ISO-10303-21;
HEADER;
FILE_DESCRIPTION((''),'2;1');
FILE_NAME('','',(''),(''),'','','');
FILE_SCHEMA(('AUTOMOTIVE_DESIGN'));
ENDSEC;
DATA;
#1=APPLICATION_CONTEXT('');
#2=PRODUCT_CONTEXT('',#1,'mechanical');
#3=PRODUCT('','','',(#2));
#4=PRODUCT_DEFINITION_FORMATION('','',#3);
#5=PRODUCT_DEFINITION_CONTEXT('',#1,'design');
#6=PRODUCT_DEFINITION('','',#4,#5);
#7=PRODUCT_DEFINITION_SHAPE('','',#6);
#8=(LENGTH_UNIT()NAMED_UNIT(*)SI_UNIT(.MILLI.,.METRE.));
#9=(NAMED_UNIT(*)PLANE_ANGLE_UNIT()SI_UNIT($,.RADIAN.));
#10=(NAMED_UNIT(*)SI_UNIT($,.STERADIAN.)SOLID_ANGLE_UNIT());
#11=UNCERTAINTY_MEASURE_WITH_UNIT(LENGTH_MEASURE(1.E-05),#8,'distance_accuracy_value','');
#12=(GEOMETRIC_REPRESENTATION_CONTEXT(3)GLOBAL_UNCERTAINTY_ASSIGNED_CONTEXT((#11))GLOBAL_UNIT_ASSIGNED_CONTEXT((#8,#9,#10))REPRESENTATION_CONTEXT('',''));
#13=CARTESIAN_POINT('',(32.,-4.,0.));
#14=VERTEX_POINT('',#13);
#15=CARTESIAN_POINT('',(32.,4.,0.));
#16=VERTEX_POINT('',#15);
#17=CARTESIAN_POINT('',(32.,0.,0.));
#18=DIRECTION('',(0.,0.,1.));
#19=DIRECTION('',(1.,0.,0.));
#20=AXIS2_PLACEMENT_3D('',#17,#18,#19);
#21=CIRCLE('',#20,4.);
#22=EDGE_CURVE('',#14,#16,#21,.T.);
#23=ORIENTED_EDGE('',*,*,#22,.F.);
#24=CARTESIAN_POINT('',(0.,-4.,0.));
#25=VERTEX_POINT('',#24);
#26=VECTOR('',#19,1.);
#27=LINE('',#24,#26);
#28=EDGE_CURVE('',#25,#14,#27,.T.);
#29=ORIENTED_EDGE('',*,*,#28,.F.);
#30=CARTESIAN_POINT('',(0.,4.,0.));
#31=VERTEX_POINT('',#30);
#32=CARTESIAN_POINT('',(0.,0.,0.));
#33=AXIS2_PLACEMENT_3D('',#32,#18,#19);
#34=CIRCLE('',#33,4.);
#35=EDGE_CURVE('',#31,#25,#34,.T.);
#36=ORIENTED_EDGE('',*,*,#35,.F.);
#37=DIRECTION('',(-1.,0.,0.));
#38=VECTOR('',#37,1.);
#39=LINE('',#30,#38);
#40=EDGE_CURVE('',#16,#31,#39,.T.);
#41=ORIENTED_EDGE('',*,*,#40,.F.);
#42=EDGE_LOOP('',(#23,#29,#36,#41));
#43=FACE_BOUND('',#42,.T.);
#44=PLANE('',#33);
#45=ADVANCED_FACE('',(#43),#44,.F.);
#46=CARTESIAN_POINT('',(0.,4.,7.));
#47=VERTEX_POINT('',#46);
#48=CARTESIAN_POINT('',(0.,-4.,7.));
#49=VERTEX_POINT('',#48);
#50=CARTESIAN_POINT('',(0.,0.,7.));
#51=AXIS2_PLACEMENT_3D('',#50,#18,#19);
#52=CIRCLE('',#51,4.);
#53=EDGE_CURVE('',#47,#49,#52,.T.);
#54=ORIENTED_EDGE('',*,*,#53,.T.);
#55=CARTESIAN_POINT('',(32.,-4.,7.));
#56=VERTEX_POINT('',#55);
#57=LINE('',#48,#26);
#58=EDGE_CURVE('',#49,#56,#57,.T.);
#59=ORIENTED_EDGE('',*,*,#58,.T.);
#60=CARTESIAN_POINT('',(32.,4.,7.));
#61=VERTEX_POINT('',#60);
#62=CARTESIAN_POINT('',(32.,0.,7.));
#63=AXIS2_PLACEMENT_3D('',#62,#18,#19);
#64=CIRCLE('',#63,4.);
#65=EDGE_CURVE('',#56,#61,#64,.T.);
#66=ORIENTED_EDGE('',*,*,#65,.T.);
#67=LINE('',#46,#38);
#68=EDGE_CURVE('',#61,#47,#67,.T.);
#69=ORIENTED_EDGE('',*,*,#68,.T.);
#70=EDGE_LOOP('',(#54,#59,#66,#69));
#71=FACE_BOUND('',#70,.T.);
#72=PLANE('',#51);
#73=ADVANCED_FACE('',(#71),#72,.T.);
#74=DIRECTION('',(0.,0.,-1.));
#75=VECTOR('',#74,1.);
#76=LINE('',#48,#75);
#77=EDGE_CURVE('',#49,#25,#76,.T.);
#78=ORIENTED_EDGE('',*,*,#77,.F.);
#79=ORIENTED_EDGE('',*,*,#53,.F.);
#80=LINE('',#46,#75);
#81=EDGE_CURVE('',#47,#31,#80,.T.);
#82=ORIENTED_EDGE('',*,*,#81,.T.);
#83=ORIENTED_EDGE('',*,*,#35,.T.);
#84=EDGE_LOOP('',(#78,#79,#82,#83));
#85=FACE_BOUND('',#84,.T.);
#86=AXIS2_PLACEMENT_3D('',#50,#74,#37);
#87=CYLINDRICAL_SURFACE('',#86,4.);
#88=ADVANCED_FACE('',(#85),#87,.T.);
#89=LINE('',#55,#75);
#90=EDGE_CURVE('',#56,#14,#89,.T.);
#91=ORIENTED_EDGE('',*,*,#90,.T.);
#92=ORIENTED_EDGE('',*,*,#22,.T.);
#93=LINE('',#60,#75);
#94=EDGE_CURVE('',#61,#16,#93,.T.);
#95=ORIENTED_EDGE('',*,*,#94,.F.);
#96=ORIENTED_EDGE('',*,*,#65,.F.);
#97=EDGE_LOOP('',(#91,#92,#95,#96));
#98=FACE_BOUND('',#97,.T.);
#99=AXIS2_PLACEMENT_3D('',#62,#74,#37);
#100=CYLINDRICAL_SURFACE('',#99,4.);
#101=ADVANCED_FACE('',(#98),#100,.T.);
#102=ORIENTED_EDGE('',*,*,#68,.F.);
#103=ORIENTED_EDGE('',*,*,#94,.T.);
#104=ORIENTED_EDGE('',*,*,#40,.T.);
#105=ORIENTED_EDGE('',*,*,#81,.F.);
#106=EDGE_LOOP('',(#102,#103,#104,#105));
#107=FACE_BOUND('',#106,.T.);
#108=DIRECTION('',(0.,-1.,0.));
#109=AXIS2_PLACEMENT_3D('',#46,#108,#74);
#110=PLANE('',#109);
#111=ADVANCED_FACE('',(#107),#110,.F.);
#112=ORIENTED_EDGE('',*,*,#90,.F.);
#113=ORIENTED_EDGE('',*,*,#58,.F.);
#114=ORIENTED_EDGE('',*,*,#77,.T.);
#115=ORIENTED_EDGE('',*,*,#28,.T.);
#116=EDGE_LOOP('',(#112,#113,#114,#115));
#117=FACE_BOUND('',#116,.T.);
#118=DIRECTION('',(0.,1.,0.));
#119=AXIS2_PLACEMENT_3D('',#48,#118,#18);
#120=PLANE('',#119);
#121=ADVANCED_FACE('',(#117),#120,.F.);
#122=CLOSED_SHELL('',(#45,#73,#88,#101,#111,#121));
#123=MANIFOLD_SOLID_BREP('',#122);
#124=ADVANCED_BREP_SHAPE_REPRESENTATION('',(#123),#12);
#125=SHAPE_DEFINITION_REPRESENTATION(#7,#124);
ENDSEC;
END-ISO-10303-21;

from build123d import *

# Parameters (mm, degrees)
BOSS_EXTRUDE1_DEPTH = 7


with BuildPart() as part:
    # Sketch1 → Boss-Extrude1 (new body)
    with BuildSketch(Plane.XY):
        with BuildLine():
            Line((0, 4), (32, 4))
            ThreePointArc((32, 4), (36, 0), (32, -4))
            Line((32, -4), (0, -4))
            ThreePointArc((0, -4), (-4, 0), (0, 4))
        make_face()
    extrude(amount=BOSS_EXTRUDE1_DEPTH)


solid = part.part
